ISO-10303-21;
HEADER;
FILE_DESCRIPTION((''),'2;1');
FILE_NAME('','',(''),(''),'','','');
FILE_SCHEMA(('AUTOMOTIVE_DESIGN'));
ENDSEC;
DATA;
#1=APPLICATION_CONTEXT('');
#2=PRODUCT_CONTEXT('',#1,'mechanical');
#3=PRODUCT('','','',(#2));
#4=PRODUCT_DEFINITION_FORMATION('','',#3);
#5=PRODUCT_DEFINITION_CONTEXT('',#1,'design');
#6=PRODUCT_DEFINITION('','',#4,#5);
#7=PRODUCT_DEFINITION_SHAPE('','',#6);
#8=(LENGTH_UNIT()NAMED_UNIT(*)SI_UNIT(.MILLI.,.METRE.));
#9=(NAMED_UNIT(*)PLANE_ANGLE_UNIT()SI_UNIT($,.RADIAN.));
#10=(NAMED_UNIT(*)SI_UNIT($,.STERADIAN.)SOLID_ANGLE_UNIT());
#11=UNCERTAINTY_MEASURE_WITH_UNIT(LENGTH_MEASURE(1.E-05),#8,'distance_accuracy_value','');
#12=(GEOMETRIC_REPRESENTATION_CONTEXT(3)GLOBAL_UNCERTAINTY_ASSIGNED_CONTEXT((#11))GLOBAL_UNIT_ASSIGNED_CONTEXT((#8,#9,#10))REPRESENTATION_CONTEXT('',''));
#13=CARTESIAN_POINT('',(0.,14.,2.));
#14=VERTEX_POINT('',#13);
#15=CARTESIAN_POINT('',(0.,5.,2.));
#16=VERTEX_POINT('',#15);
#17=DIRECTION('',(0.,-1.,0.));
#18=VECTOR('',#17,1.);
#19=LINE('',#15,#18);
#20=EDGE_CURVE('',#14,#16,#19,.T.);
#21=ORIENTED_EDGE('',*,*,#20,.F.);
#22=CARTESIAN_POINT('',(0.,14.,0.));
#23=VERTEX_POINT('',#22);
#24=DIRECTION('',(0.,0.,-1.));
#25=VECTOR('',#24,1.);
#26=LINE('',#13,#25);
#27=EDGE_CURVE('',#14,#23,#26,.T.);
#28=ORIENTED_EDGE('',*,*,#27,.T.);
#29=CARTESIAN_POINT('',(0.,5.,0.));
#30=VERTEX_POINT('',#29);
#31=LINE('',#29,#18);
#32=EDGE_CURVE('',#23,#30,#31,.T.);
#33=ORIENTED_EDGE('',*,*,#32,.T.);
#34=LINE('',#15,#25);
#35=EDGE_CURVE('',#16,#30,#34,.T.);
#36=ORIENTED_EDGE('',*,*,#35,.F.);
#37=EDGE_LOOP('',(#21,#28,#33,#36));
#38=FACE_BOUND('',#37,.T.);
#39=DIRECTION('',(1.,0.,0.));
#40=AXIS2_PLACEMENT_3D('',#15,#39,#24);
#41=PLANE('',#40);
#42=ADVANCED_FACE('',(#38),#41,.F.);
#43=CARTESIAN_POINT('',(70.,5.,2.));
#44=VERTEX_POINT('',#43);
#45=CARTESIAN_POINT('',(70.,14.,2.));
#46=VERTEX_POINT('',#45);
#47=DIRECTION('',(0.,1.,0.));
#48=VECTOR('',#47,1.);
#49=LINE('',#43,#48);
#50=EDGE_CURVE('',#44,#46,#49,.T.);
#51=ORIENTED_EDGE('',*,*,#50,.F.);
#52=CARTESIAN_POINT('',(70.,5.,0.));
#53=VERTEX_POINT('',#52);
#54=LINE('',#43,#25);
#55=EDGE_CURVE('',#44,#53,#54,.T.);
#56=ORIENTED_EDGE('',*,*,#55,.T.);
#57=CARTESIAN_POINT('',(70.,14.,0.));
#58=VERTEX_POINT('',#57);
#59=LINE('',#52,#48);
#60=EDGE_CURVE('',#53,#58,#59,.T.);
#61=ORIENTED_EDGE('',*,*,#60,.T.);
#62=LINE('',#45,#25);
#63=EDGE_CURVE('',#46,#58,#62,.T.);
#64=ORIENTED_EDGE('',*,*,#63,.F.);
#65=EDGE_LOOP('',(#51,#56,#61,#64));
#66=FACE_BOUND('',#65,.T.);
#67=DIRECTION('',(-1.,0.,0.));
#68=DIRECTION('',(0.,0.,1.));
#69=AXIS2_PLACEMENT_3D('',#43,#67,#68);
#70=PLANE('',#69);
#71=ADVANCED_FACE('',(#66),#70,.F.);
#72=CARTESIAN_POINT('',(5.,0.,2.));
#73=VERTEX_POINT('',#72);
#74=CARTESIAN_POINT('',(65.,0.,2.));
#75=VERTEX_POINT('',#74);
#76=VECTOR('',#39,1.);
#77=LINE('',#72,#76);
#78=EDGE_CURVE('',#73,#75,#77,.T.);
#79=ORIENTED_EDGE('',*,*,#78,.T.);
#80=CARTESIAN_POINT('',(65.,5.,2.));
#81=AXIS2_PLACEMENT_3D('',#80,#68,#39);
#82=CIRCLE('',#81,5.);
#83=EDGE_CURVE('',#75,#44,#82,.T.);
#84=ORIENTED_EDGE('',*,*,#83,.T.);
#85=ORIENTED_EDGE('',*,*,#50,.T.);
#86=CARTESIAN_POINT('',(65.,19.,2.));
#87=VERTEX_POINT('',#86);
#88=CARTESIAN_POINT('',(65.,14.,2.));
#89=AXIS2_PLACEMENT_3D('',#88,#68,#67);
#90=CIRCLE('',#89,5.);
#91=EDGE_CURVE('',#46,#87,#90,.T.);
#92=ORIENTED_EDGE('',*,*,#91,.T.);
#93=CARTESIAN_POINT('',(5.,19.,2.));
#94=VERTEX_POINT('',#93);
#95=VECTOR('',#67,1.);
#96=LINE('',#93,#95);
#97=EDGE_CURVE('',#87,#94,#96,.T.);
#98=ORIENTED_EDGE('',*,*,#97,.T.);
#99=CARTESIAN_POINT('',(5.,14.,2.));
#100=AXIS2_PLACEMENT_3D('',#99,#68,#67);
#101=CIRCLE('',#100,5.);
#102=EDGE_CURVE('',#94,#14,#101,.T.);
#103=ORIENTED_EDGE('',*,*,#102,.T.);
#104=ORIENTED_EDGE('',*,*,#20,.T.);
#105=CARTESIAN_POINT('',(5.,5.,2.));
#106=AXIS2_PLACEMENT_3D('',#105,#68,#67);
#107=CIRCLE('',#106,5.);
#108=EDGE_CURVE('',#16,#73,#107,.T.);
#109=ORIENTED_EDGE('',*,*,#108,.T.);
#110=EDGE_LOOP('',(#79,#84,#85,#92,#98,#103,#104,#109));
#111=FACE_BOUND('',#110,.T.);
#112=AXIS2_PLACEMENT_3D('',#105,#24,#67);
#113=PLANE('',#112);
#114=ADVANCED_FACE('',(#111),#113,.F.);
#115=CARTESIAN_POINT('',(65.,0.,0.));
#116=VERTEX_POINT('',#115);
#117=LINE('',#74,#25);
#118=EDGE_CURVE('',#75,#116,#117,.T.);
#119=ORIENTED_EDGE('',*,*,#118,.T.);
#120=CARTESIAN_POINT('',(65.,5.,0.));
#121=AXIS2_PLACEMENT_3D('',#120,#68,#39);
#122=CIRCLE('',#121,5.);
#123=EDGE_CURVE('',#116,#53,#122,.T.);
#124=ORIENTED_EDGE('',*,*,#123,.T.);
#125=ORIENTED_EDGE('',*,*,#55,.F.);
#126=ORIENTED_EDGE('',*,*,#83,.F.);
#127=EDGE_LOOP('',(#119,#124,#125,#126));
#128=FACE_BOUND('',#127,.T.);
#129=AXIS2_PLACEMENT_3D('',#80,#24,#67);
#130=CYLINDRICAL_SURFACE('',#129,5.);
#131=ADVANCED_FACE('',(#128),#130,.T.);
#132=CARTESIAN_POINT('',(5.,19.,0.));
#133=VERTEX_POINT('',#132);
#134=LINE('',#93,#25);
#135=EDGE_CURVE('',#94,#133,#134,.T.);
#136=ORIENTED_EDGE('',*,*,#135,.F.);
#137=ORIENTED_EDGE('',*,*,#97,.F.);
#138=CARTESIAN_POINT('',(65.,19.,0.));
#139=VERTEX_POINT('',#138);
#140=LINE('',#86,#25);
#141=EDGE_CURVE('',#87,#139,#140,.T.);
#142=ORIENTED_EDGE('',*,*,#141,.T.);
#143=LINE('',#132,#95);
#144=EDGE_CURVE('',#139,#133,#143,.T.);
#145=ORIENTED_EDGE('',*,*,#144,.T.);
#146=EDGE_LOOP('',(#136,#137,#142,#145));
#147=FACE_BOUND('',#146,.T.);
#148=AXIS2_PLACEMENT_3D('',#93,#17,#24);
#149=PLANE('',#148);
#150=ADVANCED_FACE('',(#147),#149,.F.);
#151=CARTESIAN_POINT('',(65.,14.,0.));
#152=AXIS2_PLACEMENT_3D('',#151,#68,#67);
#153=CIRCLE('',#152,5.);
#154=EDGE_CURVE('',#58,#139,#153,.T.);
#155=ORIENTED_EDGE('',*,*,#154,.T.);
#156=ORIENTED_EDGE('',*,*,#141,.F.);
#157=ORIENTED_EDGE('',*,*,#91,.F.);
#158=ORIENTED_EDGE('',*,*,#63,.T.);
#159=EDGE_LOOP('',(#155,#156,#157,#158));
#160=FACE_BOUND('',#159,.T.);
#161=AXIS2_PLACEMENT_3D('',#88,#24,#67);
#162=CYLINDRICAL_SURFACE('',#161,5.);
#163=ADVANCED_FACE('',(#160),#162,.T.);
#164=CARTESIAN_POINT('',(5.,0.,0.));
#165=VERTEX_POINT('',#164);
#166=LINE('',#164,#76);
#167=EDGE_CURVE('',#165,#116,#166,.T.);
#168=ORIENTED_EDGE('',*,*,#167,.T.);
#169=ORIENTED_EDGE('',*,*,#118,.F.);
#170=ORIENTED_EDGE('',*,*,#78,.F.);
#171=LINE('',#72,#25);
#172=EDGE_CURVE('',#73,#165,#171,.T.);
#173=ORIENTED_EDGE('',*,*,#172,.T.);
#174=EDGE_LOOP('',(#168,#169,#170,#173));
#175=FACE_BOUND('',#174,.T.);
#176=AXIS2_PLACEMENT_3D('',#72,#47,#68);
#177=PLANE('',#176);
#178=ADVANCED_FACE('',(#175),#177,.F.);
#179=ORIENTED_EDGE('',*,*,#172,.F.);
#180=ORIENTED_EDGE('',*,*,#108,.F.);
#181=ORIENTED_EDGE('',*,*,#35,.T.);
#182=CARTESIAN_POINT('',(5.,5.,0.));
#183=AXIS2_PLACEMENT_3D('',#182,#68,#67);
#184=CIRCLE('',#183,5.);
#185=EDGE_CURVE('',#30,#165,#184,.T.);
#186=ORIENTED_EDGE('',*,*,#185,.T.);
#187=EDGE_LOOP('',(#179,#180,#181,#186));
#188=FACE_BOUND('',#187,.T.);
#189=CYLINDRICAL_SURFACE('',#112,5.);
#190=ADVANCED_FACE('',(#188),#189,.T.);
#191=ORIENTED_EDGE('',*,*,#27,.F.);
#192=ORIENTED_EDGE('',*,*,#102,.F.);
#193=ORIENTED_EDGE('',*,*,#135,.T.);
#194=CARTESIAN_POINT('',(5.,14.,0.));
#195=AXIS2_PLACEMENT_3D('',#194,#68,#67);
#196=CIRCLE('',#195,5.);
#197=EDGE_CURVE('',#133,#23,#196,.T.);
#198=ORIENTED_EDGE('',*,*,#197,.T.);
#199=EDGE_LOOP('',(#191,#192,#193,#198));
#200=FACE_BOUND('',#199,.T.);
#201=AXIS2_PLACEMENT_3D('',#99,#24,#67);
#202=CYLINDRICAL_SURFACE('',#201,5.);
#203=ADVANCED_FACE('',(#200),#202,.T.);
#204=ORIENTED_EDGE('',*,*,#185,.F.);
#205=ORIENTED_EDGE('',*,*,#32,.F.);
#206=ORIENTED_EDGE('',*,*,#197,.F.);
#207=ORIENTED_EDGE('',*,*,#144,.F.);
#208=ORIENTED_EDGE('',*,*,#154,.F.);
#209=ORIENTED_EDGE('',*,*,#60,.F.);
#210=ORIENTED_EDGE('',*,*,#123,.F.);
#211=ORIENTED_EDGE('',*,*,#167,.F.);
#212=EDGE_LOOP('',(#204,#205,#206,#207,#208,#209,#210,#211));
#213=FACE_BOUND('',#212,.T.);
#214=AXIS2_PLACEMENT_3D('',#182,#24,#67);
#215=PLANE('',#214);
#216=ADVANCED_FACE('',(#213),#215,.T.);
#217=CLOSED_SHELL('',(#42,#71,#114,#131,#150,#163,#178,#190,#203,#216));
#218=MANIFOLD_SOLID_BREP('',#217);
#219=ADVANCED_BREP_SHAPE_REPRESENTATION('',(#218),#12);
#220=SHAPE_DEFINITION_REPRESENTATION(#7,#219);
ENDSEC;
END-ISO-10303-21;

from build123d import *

# Parameters (mm, degrees)
EXTRUDE_1_DEPTH = 2


with BuildPart() as part:
    # 草图1 → 凸台-拉伸1 (new body)
    with BuildSketch(Plane.XY):
        with BuildLine():
            Line((5, 0), (65, 0))
            ThreePointArc((65, 0), (68.535533906, 1.464466094), (70, 5))
            Line((70, 5), (70, 14))
            ThreePointArc((70, 14), (68.535533906, 17.535533906), (65, 19))
            Line((65, 19), (5, 19))
            ThreePointArc((5, 19), (1.464466094, 17.535533906), (0, 14))
            Line((0, 14), (0, 5))
            ThreePointArc((0, 5), (1.464466094, 1.464466094), (5, 0))
        make_face()
    extrude(amount=EXTRUDE_1_DEPTH)


solid = part.part
